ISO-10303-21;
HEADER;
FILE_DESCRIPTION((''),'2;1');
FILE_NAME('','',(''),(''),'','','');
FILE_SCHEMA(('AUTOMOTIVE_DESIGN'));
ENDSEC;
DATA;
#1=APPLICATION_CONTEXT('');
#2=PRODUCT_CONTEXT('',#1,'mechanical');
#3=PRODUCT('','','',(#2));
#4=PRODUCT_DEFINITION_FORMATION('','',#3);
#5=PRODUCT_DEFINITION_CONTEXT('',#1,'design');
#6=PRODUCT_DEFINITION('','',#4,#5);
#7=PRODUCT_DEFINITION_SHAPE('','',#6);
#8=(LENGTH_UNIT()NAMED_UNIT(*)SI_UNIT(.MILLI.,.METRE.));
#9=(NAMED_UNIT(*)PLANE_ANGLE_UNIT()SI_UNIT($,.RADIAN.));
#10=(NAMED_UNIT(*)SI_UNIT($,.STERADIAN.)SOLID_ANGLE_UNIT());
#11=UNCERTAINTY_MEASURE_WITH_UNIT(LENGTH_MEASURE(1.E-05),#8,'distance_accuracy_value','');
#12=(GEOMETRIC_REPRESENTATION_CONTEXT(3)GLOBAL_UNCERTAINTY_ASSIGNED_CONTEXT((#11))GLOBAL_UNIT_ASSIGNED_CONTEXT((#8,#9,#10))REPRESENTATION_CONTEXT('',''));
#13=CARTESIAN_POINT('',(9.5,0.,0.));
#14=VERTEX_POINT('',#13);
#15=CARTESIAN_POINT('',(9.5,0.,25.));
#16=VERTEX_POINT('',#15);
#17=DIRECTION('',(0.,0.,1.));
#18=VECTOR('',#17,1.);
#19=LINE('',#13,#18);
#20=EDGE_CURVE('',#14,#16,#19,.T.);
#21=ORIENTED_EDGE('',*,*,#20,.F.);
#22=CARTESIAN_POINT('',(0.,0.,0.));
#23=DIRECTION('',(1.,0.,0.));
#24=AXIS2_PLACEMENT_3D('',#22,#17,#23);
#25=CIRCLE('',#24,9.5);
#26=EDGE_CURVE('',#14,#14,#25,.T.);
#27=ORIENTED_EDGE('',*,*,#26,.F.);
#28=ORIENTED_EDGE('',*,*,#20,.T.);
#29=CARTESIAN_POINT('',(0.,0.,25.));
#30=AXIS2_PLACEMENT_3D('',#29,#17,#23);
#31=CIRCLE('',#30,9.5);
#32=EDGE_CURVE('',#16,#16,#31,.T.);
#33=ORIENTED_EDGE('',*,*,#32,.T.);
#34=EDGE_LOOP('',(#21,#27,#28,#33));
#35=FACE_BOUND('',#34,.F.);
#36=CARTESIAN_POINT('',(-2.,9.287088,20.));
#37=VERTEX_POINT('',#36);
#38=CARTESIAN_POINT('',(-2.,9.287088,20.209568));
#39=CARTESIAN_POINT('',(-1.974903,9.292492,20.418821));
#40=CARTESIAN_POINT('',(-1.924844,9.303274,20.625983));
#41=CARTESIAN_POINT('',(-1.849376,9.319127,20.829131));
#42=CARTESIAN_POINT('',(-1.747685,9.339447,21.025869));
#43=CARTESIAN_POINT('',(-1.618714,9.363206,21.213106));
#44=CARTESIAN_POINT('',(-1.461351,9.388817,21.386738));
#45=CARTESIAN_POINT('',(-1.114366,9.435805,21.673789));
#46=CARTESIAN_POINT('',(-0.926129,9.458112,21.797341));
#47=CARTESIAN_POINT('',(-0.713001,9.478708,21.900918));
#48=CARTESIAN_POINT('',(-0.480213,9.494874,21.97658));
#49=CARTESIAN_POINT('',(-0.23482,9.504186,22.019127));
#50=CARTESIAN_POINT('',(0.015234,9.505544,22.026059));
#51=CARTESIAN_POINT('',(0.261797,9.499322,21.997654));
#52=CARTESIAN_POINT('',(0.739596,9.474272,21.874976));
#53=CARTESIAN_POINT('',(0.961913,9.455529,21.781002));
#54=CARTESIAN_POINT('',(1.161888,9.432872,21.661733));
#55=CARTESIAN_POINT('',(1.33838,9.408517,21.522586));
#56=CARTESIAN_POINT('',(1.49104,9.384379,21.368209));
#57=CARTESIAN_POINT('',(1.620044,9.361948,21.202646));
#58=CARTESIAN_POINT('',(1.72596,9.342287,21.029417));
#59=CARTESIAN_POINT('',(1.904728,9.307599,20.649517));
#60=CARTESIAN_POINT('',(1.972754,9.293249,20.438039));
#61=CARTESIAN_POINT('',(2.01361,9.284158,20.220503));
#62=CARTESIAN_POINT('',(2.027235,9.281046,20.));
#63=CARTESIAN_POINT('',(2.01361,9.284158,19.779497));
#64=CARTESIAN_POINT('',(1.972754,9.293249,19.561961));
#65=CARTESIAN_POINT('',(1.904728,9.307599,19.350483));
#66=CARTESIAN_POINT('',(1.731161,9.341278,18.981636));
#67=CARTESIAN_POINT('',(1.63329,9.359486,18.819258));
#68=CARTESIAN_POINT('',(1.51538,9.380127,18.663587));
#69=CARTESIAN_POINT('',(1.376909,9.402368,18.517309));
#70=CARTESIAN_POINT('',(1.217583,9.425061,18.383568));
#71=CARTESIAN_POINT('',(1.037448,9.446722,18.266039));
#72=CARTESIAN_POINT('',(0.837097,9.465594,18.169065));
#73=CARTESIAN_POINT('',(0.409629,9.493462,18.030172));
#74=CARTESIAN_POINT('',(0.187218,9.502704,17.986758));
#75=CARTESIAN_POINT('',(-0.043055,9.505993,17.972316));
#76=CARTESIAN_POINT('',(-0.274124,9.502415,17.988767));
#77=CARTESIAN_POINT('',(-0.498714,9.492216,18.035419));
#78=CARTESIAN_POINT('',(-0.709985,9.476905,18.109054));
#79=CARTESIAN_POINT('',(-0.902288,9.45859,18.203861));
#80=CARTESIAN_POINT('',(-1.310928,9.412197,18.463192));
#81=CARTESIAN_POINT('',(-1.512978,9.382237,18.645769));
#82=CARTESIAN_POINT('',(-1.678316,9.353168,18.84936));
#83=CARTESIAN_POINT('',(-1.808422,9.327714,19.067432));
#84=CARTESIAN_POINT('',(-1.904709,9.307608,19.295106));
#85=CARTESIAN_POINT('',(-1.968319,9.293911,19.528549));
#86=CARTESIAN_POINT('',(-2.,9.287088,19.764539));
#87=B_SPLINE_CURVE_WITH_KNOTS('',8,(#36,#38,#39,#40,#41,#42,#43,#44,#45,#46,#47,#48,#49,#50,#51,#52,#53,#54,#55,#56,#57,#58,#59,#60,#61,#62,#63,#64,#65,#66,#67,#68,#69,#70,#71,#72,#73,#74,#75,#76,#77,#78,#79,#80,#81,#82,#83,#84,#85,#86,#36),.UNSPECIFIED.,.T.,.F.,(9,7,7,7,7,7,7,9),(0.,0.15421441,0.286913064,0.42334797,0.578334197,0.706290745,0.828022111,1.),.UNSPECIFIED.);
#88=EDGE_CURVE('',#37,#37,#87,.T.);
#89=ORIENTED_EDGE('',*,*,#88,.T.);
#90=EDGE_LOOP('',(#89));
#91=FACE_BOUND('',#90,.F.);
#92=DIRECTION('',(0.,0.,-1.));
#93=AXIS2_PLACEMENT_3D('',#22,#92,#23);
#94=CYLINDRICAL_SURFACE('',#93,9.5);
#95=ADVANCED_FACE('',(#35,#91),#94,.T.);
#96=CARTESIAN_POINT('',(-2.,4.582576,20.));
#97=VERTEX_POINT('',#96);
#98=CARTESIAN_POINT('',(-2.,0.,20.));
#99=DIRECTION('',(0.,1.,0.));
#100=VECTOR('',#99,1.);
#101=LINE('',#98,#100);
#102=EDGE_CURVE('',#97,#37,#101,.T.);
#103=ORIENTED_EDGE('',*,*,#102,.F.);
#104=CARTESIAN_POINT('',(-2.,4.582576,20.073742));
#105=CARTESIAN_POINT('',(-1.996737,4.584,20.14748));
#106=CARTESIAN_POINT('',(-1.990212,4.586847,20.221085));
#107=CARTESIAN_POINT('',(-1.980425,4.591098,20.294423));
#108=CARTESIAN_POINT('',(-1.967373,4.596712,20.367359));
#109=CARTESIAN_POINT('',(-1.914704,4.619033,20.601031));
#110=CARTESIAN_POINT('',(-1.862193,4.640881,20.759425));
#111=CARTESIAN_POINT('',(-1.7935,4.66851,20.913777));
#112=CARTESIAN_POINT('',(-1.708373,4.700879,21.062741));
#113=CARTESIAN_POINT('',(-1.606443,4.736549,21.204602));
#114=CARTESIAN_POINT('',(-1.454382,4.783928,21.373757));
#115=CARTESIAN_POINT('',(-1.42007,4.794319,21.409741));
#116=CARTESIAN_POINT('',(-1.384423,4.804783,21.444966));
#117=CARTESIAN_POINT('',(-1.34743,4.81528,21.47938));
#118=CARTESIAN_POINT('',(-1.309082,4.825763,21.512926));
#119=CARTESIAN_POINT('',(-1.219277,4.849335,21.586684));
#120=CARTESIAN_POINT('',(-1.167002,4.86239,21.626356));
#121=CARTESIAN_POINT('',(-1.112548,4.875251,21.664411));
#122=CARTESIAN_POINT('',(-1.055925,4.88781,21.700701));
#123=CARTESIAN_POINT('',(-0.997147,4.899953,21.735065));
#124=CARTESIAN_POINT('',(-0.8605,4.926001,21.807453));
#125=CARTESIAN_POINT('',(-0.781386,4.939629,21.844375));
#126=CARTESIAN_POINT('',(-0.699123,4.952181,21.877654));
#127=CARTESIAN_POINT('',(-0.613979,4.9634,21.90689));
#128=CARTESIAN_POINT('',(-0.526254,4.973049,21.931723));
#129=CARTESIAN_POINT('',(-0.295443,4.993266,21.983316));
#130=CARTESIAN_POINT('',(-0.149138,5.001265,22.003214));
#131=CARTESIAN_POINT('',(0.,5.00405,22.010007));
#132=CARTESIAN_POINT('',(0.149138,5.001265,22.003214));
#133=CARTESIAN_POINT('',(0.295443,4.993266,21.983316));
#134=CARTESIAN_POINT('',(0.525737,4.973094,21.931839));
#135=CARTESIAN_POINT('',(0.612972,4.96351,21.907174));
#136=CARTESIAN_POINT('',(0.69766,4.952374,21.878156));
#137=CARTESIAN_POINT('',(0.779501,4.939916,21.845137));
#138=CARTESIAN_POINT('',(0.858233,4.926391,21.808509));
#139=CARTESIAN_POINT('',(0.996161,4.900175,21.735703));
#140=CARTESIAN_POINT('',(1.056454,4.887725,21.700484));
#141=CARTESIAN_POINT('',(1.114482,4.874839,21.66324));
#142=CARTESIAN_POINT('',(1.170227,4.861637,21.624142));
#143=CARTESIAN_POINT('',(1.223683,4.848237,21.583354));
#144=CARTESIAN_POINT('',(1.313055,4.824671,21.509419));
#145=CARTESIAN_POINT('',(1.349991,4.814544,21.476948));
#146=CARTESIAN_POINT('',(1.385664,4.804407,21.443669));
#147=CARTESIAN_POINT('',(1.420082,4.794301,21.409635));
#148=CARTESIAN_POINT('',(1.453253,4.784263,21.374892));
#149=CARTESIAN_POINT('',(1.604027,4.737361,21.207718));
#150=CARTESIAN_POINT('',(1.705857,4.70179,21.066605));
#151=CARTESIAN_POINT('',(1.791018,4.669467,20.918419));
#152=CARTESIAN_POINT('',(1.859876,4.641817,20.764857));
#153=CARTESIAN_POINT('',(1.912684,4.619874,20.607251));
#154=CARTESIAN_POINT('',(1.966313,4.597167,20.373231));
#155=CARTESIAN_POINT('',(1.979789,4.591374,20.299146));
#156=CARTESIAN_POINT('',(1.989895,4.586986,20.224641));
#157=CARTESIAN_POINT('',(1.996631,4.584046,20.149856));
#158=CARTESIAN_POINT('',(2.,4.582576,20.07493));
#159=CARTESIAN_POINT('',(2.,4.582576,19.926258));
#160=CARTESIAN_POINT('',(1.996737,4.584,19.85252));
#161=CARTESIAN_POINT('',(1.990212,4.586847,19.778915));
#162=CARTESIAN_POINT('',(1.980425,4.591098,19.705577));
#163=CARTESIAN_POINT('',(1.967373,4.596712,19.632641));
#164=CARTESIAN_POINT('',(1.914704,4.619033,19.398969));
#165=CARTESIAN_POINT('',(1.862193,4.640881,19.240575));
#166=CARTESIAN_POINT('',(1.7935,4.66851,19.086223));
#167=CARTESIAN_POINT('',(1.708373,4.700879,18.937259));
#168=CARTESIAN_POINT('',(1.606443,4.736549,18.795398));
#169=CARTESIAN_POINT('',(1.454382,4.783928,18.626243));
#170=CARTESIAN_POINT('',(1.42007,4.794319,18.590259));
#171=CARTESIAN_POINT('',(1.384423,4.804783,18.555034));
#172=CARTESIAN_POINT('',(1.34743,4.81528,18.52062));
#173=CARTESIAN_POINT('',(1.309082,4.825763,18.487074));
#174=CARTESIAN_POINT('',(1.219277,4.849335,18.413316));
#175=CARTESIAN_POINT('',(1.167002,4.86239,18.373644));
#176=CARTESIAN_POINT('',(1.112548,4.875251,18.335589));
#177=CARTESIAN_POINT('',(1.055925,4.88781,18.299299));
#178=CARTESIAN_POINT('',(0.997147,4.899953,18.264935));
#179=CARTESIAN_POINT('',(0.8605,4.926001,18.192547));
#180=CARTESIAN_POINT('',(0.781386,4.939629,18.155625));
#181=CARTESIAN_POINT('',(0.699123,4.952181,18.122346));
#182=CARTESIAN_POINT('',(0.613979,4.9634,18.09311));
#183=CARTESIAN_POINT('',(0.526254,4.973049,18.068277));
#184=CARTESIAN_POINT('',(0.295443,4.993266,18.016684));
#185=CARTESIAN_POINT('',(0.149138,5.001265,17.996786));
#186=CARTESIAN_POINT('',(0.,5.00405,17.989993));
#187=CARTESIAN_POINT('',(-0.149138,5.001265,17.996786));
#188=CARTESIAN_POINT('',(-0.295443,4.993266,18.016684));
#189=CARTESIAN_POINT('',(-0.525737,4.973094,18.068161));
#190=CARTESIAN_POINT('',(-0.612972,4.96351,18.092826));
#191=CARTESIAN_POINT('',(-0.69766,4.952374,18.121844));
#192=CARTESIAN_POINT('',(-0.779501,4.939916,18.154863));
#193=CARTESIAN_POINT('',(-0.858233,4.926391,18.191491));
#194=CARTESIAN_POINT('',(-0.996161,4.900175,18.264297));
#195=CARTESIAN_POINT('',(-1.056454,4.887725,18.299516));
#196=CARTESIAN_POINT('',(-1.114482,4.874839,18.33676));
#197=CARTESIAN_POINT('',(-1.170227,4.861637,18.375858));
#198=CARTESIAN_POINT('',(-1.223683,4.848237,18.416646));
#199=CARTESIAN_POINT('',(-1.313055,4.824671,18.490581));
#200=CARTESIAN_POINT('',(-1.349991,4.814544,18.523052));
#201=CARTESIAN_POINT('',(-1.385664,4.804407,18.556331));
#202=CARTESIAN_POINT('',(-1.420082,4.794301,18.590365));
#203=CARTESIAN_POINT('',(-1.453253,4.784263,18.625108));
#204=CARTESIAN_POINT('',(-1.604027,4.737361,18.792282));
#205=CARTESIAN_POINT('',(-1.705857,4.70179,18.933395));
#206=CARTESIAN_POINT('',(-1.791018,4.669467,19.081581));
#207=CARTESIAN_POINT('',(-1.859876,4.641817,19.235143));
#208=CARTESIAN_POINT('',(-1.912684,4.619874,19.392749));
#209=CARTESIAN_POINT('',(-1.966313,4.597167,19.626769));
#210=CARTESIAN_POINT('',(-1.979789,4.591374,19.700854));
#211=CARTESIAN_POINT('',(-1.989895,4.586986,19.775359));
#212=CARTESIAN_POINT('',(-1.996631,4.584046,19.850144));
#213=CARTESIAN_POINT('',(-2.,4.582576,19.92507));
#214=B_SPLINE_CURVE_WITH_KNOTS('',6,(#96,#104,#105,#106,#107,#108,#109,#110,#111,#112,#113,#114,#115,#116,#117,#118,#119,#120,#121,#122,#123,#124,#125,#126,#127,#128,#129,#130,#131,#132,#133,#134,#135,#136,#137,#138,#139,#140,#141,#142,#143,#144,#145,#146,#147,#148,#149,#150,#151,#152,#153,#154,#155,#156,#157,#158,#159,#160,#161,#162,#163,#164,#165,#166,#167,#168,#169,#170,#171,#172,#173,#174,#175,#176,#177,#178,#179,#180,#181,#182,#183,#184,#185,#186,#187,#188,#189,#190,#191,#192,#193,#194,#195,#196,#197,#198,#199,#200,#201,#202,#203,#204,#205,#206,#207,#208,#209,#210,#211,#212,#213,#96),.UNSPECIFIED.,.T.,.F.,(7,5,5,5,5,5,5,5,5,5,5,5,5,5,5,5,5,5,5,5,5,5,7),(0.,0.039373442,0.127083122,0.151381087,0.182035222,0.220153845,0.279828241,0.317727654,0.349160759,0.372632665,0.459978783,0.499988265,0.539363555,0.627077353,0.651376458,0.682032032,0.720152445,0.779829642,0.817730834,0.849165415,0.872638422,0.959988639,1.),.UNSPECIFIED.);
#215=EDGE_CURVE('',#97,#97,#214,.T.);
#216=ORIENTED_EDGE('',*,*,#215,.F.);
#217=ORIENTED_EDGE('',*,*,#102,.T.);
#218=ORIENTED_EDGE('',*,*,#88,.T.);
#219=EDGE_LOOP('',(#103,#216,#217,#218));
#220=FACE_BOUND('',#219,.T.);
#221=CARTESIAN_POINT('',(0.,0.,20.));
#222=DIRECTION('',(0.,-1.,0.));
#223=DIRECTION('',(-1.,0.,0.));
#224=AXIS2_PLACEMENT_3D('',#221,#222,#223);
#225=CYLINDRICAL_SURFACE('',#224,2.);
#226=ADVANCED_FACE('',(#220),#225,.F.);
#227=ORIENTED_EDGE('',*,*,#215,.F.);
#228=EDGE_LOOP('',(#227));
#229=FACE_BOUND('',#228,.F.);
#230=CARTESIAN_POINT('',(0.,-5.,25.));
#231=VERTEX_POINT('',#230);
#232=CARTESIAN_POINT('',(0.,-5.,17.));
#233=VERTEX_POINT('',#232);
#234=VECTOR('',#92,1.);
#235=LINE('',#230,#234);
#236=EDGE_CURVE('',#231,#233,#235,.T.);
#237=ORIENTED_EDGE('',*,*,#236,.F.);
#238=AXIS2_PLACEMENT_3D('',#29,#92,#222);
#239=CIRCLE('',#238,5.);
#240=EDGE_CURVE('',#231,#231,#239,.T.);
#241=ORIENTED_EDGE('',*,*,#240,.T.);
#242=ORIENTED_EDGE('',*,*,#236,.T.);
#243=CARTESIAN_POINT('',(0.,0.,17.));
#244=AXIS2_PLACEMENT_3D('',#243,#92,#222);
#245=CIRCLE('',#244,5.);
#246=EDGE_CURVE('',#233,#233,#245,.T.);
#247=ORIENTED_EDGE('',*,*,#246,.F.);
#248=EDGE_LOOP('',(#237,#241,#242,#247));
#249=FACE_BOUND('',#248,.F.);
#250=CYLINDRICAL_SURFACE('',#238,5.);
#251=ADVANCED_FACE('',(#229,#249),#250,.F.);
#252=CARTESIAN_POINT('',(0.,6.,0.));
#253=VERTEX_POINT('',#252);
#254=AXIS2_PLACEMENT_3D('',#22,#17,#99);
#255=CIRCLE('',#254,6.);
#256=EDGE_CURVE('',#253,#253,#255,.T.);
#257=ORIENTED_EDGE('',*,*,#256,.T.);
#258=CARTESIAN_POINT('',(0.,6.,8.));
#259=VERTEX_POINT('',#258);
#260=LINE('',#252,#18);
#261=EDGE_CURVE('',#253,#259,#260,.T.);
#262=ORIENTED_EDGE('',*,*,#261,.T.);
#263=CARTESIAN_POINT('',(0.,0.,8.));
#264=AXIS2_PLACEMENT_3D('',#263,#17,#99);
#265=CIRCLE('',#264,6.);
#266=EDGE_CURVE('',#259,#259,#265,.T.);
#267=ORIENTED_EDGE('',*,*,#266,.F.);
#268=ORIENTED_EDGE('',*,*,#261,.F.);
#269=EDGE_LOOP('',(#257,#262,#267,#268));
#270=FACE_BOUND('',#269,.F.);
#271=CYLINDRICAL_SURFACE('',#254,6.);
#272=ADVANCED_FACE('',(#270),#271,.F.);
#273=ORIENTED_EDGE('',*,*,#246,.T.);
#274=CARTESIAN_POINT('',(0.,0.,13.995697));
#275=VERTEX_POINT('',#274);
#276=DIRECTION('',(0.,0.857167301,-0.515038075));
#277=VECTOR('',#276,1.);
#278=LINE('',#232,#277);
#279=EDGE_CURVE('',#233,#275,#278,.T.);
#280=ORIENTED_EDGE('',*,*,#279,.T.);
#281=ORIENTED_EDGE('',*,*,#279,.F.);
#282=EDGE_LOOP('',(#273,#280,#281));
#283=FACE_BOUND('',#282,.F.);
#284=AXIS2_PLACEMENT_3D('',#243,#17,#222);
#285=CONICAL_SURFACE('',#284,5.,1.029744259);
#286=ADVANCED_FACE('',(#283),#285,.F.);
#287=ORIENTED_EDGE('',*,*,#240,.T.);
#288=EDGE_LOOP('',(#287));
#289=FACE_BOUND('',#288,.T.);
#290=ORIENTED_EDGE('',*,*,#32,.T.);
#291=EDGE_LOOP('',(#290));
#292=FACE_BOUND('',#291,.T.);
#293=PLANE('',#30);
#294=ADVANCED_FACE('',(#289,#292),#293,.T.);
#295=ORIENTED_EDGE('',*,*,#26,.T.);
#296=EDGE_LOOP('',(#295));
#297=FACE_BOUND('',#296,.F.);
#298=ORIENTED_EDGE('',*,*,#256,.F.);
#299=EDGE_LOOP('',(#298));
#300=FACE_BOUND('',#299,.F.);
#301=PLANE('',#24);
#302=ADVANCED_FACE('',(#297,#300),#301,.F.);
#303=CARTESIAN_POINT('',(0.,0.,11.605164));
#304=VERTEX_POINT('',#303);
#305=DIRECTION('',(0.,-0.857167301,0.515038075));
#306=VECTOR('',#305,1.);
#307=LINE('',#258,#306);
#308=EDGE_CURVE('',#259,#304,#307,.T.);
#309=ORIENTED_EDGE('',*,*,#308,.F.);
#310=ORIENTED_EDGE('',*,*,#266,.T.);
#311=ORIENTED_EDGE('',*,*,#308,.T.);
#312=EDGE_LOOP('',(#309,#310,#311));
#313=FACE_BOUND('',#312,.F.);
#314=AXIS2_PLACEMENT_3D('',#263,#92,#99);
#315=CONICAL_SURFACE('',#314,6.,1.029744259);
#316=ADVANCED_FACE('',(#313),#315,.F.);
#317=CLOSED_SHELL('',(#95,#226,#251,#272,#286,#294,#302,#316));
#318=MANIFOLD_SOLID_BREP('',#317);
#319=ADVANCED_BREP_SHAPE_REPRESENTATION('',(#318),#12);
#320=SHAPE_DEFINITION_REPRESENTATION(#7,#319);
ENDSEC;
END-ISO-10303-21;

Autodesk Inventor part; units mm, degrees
ref_plane "YZ Plane" through (0, 0, 0) normal (1, 0, 0) x (0, 1, 0)
ref_plane "XZ Plane" through (0, 0, 0) normal (0, 1, 0) x (-1, 0, 0)
ref_plane "XY Plane" through (0, 0, 0) normal (0, 0, 1) x (1, 0, 0)
sketch "Sketch1" plane through (0, 0, 0) normal (0, 0, 1) x (1, 0, 0)
  circle A0 centre (0, 0) radius 9.5
  dimension "d0" = 19
extrude "Extrusion1" add sketch "Sketch1" along normal blind 25
sketch "Sketch2" plane through (0, 0, 25) normal (0, 0, 1) x (1, 0, 0)
  point P0 (0, 0)
  point P1 (0, 0)
hole "Hole1" at (0, 0, 25) direction (0, 0, -1) diameter 10 depth 8 tip angle 118
sketch "Sketch3" plane through (0, 0, 0) normal (0, 0, -1) x (-1, 0, 0)
  point P0 (0, 0)
  point P1 (0, 0)
hole "Hole2" at (0, 0, 0) direction (0, 0, 1) diameter 12 depth 8 tip angle 118
sketch "Sketch4" plane through (0, 0, 0) normal (0, 1, 0) x (-1, 0, 0)
  line L0 (9.5, 25) -> (-9.5, 25) projected
  circle A0 centre (0, 20) radius 2
  point P0 (0, 0)
  dimension "d17" = 5
  dimension "d18" = 4
extrude "Extrusion2" cut sketch "Sketch4" along normal through all
properties part number "handleAdapter"
